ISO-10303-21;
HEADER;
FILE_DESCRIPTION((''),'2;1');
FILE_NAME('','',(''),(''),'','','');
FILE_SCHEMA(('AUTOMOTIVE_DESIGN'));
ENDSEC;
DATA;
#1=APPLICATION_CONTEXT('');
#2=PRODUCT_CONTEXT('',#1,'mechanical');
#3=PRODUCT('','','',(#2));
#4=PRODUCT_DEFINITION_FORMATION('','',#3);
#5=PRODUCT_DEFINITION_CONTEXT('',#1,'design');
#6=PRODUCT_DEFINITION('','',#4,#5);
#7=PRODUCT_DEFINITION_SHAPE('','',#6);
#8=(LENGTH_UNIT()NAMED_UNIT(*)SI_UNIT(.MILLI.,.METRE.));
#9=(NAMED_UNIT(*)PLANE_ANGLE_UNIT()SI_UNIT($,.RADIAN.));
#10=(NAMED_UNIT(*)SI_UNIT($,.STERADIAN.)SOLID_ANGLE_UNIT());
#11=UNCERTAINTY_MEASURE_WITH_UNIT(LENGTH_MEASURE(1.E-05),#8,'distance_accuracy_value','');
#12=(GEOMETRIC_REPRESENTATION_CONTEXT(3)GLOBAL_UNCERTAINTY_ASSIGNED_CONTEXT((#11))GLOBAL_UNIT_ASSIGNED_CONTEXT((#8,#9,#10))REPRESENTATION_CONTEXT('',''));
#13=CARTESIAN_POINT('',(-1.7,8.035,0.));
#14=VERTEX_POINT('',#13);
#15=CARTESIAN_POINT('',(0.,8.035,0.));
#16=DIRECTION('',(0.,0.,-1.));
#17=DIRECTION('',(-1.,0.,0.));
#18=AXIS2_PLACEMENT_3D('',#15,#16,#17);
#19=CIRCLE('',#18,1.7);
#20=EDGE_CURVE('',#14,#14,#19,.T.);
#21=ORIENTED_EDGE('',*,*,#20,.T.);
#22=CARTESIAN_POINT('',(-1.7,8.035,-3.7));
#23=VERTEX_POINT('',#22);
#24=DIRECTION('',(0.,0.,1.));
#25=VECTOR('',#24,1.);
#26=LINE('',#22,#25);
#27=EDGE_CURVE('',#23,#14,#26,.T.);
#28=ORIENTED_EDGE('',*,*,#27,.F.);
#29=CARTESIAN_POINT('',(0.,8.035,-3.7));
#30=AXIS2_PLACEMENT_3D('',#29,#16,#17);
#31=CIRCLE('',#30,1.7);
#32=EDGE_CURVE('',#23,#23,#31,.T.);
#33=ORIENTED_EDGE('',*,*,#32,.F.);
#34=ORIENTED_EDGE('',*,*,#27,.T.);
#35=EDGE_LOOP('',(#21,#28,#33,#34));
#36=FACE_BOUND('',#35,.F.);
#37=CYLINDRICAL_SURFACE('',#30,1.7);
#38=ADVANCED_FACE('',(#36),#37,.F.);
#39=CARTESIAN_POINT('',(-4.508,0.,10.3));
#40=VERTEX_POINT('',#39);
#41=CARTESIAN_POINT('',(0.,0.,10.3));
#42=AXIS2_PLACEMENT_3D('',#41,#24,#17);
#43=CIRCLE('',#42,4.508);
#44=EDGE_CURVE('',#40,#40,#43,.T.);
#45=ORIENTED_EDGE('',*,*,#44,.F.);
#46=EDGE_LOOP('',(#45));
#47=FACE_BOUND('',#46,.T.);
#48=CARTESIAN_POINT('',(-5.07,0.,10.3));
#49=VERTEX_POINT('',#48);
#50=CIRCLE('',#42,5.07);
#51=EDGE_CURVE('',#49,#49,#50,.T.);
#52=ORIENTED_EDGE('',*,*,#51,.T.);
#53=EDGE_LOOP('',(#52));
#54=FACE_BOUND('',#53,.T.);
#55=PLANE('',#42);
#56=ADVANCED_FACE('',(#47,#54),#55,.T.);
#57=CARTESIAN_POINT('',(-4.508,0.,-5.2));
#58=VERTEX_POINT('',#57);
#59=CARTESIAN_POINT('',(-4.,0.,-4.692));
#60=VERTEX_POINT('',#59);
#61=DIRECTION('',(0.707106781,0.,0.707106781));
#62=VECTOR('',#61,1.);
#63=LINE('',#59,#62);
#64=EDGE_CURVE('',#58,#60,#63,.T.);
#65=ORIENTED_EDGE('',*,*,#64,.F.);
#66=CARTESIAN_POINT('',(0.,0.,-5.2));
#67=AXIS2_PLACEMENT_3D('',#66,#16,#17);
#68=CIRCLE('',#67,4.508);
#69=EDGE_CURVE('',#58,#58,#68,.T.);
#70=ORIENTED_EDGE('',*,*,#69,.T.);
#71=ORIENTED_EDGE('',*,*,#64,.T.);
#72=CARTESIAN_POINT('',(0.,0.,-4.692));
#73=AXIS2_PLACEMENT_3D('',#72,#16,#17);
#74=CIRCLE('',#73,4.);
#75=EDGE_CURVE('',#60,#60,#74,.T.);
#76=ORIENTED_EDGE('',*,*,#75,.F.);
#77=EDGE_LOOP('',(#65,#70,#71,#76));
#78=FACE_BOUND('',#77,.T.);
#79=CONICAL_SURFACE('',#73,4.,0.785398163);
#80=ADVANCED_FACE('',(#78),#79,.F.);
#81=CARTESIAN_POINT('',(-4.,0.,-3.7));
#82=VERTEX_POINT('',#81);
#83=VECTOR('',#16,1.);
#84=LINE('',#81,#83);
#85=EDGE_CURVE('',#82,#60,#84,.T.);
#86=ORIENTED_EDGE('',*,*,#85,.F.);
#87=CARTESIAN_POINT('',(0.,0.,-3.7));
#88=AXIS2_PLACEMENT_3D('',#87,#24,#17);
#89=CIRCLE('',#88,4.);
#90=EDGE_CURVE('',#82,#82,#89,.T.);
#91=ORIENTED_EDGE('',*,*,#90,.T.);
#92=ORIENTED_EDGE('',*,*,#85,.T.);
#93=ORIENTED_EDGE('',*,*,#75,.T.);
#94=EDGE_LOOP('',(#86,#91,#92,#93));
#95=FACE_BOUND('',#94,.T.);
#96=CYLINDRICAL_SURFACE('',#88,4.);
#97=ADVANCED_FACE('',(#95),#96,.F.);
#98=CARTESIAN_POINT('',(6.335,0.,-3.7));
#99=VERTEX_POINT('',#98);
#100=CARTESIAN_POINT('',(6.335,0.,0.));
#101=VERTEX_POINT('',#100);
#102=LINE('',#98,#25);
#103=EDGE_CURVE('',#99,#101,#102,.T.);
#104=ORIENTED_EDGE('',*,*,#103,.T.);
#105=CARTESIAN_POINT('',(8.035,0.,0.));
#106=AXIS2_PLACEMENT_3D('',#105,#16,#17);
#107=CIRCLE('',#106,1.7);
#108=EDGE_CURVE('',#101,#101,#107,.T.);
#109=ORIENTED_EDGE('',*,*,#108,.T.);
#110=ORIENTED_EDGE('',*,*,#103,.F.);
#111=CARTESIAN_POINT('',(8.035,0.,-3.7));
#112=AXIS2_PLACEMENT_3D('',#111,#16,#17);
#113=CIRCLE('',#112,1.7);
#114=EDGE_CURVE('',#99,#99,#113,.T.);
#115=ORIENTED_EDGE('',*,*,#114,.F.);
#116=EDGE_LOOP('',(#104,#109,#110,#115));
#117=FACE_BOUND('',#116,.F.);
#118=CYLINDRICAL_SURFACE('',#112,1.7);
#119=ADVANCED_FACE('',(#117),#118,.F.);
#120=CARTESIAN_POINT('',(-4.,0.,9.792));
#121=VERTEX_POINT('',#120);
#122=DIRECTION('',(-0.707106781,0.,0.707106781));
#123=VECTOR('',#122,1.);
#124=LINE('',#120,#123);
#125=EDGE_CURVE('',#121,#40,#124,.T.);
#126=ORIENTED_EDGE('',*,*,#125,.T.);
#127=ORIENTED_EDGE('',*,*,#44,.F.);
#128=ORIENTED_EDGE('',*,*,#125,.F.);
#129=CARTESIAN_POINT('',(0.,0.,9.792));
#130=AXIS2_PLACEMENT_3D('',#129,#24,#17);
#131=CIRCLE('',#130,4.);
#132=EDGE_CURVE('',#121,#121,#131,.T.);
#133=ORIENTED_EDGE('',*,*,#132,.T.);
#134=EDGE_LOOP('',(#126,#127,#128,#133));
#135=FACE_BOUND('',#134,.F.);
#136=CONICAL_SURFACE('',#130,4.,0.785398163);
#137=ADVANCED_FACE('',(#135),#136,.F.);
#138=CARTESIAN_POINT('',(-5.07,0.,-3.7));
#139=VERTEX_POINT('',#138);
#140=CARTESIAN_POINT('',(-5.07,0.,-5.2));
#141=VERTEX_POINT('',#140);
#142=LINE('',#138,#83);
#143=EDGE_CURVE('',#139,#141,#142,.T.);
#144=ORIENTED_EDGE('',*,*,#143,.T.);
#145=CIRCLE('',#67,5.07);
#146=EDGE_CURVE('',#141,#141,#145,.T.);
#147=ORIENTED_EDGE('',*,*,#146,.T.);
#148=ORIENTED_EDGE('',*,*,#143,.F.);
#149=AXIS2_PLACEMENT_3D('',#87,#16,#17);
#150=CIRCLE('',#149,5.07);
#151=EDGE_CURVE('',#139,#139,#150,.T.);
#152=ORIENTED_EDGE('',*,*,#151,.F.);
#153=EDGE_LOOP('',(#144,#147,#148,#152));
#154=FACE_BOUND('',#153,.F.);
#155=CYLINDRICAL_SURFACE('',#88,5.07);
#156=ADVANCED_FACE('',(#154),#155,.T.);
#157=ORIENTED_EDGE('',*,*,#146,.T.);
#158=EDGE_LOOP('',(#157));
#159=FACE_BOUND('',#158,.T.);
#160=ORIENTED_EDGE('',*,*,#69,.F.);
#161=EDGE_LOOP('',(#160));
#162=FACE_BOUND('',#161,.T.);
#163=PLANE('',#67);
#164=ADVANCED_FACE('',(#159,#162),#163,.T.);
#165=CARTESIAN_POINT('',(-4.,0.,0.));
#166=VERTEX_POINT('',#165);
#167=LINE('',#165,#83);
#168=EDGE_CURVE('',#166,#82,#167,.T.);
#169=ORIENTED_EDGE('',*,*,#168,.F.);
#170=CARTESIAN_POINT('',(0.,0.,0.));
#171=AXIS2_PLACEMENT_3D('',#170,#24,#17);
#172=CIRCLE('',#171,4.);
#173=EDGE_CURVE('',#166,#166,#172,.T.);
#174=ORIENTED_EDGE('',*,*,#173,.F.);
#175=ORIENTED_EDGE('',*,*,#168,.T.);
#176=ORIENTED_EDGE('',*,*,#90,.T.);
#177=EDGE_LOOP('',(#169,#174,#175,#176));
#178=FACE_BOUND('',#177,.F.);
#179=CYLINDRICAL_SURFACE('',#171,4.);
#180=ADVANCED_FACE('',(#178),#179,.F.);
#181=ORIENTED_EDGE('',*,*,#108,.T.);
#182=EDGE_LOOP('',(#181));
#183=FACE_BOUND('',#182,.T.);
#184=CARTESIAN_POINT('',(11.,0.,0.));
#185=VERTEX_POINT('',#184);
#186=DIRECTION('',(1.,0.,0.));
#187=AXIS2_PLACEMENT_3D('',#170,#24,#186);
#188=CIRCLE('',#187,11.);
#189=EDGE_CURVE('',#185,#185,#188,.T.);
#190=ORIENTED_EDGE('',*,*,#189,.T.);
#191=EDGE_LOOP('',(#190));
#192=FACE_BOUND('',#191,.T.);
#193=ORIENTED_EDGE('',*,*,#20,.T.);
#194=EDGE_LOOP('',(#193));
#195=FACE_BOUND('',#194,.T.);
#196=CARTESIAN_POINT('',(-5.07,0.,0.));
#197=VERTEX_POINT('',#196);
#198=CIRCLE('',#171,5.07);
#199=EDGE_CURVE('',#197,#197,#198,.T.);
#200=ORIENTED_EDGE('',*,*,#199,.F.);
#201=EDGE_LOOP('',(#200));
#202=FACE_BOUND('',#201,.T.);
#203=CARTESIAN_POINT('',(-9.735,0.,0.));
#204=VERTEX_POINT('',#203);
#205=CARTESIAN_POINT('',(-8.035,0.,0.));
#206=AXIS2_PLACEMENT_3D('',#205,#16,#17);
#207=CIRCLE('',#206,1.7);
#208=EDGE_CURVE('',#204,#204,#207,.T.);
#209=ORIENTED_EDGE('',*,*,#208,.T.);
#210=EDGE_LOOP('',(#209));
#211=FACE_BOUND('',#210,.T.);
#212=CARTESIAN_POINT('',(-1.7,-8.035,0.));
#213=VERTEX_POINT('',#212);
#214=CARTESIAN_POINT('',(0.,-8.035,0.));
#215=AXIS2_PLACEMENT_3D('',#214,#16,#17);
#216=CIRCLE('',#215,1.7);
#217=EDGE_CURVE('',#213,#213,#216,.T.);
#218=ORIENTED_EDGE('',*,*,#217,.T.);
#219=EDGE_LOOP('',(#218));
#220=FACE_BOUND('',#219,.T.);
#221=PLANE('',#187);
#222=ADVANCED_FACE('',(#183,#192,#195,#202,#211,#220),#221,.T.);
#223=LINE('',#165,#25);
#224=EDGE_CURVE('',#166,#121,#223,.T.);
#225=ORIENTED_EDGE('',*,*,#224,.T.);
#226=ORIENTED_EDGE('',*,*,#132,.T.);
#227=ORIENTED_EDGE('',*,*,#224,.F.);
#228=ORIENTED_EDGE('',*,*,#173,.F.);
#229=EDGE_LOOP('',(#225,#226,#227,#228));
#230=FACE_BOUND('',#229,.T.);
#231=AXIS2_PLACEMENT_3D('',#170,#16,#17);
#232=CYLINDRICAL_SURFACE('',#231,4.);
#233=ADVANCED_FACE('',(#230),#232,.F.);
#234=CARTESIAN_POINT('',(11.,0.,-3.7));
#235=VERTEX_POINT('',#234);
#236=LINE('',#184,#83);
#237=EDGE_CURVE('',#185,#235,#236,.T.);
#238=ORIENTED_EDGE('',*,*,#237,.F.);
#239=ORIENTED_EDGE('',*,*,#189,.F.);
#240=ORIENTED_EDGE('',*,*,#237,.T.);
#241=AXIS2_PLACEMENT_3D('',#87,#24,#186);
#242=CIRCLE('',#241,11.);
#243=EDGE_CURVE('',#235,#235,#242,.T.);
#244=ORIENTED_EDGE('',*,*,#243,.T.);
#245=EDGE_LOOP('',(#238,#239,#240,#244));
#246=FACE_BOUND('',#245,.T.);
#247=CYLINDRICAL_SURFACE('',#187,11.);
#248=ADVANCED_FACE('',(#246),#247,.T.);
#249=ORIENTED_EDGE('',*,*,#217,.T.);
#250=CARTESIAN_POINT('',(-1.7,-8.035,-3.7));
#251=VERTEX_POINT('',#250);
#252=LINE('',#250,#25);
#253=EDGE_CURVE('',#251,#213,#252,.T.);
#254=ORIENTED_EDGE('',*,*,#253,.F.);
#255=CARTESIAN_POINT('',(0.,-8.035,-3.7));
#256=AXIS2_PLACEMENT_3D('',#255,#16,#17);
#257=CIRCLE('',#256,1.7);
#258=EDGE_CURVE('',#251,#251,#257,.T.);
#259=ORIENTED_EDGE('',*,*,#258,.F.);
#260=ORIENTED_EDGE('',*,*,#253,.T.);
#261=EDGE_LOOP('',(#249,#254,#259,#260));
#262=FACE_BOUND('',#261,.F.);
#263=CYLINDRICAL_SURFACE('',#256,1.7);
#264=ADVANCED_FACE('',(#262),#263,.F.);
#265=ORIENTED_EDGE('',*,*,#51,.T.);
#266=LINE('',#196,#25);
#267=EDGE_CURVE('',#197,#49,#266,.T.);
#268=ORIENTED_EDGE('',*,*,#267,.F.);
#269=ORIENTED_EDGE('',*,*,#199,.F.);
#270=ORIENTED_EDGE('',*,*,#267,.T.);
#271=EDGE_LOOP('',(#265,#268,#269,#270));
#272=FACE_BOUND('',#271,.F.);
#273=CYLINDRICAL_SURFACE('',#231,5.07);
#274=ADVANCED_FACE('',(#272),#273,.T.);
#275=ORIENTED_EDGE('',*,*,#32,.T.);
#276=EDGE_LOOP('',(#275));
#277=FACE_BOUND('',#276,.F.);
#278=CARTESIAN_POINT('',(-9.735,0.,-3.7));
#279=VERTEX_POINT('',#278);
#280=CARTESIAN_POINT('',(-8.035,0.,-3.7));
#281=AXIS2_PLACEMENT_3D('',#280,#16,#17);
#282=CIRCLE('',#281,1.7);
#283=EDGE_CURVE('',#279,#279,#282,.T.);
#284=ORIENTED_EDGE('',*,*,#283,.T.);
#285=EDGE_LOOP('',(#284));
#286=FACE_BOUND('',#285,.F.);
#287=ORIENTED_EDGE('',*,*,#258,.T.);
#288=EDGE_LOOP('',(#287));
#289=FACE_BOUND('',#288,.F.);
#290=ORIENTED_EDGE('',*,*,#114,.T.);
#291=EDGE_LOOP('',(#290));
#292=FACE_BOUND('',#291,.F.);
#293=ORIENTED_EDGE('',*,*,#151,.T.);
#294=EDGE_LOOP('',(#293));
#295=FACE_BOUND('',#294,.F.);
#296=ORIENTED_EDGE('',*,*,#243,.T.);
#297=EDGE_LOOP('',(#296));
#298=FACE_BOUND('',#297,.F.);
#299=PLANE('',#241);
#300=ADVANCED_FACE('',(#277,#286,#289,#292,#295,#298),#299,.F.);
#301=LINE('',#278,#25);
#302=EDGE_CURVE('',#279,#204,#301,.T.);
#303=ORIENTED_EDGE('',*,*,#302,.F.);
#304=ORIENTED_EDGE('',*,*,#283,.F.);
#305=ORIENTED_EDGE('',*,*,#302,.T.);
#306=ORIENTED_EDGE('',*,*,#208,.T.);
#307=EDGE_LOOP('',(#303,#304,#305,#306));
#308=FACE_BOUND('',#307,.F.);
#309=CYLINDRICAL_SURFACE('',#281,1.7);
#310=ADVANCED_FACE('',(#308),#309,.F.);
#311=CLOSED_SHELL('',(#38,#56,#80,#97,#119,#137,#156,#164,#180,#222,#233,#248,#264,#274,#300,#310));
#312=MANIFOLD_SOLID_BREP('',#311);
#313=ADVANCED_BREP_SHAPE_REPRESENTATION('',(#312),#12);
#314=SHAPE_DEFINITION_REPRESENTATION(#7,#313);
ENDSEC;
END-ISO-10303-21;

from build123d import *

# Parameters (mm, degrees)
SKETCH1_R           = 5.07
SKETCH1_R_2         = 4
BOSS_EXTRUDE1_DEPTH = 10.3
SKETCH1_3_R         = 11
SKETCH1_3_R_2       = 5.07
SKETCH1_3_R_3       = 4
BOSS_EXTRUDE2_DEPTH = 3.7
SKETCH2_R           = 5.07
SKETCH2_R_2         = 4
BOSS_EXTRUDE3_DEPTH = 1.5
CHAMFER1_SIZE       = 0.508
SKETCH3_R           = 1.7
CUT_EXTRUDE1_DEPTH  = 4.294


with BuildPart() as part:
    # Sketch1 → Boss-Extrude1 (new body)
    with BuildSketch(Plane.XY):
        with Locations(Location((0, 0, 0), (0, 0, 180))):
            Circle(SKETCH1_R)
        with Locations(Location((0, 0, 0), (0, 0, 180))):
            Circle(SKETCH1_R_2, mode=Mode.SUBTRACT)
    extrude(amount=BOSS_EXTRUDE1_DEPTH)

    # Sketch1<3> → Boss-Extrude2 (add)
    with BuildSketch(Plane.XY):
        Circle(SKETCH1_3_R)
        with Locations(Location((0, 0, 0), (0, 0, 180))):
            Circle(SKETCH1_3_R_2, mode=Mode.SUBTRACT)
        with Locations(Location((0, 0, 0), (0, 0, 180))):
            Circle(SKETCH1_3_R_2)
        with Locations(Location((0, 0, 0), (0, 0, 180))):
            Circle(SKETCH1_3_R_3, mode=Mode.SUBTRACT)
    extrude(amount=-BOSS_EXTRUDE2_DEPTH)

    # Sketch2 → Boss-Extrude3 (add)
    with BuildSketch(Plane(origin=(0, 0, -3.7), x_dir=(-1, 0, 0), z_dir=(0, 0, -1))):
        Circle(SKETCH2_R)
        Circle(SKETCH2_R_2, mode=Mode.SUBTRACT)
    extrude(amount=BOSS_EXTRUDE3_DEPTH)

    # Chamfer1
    chamfer1_edges = [part.edges().sort_by_distance(p)[0] for p in [
        (4, 0, -5.2),
        (4, 0, 10.3),
    ]]
    chamfer(chamfer1_edges, length=CHAMFER1_SIZE)

    # Sketch3 → Cut-Extrude1 (cut)
    with BuildSketch(Plane(origin=(0, 0, -3.7), x_dir=(-1, 0, 0), z_dir=(0, 0, -1))):
        with Locations((-8.035, 0)):
            Circle(SKETCH3_R)
        with Locations((0, 8.035)):
            Circle(SKETCH3_R)
        with Locations((8.035, 0)):
            Circle(SKETCH3_R)
        with Locations((0, -8.035)):
            Circle(SKETCH3_R)
    extrude(amount=-CUT_EXTRUDE1_DEPTH, mode=Mode.SUBTRACT)


solid = part.part
